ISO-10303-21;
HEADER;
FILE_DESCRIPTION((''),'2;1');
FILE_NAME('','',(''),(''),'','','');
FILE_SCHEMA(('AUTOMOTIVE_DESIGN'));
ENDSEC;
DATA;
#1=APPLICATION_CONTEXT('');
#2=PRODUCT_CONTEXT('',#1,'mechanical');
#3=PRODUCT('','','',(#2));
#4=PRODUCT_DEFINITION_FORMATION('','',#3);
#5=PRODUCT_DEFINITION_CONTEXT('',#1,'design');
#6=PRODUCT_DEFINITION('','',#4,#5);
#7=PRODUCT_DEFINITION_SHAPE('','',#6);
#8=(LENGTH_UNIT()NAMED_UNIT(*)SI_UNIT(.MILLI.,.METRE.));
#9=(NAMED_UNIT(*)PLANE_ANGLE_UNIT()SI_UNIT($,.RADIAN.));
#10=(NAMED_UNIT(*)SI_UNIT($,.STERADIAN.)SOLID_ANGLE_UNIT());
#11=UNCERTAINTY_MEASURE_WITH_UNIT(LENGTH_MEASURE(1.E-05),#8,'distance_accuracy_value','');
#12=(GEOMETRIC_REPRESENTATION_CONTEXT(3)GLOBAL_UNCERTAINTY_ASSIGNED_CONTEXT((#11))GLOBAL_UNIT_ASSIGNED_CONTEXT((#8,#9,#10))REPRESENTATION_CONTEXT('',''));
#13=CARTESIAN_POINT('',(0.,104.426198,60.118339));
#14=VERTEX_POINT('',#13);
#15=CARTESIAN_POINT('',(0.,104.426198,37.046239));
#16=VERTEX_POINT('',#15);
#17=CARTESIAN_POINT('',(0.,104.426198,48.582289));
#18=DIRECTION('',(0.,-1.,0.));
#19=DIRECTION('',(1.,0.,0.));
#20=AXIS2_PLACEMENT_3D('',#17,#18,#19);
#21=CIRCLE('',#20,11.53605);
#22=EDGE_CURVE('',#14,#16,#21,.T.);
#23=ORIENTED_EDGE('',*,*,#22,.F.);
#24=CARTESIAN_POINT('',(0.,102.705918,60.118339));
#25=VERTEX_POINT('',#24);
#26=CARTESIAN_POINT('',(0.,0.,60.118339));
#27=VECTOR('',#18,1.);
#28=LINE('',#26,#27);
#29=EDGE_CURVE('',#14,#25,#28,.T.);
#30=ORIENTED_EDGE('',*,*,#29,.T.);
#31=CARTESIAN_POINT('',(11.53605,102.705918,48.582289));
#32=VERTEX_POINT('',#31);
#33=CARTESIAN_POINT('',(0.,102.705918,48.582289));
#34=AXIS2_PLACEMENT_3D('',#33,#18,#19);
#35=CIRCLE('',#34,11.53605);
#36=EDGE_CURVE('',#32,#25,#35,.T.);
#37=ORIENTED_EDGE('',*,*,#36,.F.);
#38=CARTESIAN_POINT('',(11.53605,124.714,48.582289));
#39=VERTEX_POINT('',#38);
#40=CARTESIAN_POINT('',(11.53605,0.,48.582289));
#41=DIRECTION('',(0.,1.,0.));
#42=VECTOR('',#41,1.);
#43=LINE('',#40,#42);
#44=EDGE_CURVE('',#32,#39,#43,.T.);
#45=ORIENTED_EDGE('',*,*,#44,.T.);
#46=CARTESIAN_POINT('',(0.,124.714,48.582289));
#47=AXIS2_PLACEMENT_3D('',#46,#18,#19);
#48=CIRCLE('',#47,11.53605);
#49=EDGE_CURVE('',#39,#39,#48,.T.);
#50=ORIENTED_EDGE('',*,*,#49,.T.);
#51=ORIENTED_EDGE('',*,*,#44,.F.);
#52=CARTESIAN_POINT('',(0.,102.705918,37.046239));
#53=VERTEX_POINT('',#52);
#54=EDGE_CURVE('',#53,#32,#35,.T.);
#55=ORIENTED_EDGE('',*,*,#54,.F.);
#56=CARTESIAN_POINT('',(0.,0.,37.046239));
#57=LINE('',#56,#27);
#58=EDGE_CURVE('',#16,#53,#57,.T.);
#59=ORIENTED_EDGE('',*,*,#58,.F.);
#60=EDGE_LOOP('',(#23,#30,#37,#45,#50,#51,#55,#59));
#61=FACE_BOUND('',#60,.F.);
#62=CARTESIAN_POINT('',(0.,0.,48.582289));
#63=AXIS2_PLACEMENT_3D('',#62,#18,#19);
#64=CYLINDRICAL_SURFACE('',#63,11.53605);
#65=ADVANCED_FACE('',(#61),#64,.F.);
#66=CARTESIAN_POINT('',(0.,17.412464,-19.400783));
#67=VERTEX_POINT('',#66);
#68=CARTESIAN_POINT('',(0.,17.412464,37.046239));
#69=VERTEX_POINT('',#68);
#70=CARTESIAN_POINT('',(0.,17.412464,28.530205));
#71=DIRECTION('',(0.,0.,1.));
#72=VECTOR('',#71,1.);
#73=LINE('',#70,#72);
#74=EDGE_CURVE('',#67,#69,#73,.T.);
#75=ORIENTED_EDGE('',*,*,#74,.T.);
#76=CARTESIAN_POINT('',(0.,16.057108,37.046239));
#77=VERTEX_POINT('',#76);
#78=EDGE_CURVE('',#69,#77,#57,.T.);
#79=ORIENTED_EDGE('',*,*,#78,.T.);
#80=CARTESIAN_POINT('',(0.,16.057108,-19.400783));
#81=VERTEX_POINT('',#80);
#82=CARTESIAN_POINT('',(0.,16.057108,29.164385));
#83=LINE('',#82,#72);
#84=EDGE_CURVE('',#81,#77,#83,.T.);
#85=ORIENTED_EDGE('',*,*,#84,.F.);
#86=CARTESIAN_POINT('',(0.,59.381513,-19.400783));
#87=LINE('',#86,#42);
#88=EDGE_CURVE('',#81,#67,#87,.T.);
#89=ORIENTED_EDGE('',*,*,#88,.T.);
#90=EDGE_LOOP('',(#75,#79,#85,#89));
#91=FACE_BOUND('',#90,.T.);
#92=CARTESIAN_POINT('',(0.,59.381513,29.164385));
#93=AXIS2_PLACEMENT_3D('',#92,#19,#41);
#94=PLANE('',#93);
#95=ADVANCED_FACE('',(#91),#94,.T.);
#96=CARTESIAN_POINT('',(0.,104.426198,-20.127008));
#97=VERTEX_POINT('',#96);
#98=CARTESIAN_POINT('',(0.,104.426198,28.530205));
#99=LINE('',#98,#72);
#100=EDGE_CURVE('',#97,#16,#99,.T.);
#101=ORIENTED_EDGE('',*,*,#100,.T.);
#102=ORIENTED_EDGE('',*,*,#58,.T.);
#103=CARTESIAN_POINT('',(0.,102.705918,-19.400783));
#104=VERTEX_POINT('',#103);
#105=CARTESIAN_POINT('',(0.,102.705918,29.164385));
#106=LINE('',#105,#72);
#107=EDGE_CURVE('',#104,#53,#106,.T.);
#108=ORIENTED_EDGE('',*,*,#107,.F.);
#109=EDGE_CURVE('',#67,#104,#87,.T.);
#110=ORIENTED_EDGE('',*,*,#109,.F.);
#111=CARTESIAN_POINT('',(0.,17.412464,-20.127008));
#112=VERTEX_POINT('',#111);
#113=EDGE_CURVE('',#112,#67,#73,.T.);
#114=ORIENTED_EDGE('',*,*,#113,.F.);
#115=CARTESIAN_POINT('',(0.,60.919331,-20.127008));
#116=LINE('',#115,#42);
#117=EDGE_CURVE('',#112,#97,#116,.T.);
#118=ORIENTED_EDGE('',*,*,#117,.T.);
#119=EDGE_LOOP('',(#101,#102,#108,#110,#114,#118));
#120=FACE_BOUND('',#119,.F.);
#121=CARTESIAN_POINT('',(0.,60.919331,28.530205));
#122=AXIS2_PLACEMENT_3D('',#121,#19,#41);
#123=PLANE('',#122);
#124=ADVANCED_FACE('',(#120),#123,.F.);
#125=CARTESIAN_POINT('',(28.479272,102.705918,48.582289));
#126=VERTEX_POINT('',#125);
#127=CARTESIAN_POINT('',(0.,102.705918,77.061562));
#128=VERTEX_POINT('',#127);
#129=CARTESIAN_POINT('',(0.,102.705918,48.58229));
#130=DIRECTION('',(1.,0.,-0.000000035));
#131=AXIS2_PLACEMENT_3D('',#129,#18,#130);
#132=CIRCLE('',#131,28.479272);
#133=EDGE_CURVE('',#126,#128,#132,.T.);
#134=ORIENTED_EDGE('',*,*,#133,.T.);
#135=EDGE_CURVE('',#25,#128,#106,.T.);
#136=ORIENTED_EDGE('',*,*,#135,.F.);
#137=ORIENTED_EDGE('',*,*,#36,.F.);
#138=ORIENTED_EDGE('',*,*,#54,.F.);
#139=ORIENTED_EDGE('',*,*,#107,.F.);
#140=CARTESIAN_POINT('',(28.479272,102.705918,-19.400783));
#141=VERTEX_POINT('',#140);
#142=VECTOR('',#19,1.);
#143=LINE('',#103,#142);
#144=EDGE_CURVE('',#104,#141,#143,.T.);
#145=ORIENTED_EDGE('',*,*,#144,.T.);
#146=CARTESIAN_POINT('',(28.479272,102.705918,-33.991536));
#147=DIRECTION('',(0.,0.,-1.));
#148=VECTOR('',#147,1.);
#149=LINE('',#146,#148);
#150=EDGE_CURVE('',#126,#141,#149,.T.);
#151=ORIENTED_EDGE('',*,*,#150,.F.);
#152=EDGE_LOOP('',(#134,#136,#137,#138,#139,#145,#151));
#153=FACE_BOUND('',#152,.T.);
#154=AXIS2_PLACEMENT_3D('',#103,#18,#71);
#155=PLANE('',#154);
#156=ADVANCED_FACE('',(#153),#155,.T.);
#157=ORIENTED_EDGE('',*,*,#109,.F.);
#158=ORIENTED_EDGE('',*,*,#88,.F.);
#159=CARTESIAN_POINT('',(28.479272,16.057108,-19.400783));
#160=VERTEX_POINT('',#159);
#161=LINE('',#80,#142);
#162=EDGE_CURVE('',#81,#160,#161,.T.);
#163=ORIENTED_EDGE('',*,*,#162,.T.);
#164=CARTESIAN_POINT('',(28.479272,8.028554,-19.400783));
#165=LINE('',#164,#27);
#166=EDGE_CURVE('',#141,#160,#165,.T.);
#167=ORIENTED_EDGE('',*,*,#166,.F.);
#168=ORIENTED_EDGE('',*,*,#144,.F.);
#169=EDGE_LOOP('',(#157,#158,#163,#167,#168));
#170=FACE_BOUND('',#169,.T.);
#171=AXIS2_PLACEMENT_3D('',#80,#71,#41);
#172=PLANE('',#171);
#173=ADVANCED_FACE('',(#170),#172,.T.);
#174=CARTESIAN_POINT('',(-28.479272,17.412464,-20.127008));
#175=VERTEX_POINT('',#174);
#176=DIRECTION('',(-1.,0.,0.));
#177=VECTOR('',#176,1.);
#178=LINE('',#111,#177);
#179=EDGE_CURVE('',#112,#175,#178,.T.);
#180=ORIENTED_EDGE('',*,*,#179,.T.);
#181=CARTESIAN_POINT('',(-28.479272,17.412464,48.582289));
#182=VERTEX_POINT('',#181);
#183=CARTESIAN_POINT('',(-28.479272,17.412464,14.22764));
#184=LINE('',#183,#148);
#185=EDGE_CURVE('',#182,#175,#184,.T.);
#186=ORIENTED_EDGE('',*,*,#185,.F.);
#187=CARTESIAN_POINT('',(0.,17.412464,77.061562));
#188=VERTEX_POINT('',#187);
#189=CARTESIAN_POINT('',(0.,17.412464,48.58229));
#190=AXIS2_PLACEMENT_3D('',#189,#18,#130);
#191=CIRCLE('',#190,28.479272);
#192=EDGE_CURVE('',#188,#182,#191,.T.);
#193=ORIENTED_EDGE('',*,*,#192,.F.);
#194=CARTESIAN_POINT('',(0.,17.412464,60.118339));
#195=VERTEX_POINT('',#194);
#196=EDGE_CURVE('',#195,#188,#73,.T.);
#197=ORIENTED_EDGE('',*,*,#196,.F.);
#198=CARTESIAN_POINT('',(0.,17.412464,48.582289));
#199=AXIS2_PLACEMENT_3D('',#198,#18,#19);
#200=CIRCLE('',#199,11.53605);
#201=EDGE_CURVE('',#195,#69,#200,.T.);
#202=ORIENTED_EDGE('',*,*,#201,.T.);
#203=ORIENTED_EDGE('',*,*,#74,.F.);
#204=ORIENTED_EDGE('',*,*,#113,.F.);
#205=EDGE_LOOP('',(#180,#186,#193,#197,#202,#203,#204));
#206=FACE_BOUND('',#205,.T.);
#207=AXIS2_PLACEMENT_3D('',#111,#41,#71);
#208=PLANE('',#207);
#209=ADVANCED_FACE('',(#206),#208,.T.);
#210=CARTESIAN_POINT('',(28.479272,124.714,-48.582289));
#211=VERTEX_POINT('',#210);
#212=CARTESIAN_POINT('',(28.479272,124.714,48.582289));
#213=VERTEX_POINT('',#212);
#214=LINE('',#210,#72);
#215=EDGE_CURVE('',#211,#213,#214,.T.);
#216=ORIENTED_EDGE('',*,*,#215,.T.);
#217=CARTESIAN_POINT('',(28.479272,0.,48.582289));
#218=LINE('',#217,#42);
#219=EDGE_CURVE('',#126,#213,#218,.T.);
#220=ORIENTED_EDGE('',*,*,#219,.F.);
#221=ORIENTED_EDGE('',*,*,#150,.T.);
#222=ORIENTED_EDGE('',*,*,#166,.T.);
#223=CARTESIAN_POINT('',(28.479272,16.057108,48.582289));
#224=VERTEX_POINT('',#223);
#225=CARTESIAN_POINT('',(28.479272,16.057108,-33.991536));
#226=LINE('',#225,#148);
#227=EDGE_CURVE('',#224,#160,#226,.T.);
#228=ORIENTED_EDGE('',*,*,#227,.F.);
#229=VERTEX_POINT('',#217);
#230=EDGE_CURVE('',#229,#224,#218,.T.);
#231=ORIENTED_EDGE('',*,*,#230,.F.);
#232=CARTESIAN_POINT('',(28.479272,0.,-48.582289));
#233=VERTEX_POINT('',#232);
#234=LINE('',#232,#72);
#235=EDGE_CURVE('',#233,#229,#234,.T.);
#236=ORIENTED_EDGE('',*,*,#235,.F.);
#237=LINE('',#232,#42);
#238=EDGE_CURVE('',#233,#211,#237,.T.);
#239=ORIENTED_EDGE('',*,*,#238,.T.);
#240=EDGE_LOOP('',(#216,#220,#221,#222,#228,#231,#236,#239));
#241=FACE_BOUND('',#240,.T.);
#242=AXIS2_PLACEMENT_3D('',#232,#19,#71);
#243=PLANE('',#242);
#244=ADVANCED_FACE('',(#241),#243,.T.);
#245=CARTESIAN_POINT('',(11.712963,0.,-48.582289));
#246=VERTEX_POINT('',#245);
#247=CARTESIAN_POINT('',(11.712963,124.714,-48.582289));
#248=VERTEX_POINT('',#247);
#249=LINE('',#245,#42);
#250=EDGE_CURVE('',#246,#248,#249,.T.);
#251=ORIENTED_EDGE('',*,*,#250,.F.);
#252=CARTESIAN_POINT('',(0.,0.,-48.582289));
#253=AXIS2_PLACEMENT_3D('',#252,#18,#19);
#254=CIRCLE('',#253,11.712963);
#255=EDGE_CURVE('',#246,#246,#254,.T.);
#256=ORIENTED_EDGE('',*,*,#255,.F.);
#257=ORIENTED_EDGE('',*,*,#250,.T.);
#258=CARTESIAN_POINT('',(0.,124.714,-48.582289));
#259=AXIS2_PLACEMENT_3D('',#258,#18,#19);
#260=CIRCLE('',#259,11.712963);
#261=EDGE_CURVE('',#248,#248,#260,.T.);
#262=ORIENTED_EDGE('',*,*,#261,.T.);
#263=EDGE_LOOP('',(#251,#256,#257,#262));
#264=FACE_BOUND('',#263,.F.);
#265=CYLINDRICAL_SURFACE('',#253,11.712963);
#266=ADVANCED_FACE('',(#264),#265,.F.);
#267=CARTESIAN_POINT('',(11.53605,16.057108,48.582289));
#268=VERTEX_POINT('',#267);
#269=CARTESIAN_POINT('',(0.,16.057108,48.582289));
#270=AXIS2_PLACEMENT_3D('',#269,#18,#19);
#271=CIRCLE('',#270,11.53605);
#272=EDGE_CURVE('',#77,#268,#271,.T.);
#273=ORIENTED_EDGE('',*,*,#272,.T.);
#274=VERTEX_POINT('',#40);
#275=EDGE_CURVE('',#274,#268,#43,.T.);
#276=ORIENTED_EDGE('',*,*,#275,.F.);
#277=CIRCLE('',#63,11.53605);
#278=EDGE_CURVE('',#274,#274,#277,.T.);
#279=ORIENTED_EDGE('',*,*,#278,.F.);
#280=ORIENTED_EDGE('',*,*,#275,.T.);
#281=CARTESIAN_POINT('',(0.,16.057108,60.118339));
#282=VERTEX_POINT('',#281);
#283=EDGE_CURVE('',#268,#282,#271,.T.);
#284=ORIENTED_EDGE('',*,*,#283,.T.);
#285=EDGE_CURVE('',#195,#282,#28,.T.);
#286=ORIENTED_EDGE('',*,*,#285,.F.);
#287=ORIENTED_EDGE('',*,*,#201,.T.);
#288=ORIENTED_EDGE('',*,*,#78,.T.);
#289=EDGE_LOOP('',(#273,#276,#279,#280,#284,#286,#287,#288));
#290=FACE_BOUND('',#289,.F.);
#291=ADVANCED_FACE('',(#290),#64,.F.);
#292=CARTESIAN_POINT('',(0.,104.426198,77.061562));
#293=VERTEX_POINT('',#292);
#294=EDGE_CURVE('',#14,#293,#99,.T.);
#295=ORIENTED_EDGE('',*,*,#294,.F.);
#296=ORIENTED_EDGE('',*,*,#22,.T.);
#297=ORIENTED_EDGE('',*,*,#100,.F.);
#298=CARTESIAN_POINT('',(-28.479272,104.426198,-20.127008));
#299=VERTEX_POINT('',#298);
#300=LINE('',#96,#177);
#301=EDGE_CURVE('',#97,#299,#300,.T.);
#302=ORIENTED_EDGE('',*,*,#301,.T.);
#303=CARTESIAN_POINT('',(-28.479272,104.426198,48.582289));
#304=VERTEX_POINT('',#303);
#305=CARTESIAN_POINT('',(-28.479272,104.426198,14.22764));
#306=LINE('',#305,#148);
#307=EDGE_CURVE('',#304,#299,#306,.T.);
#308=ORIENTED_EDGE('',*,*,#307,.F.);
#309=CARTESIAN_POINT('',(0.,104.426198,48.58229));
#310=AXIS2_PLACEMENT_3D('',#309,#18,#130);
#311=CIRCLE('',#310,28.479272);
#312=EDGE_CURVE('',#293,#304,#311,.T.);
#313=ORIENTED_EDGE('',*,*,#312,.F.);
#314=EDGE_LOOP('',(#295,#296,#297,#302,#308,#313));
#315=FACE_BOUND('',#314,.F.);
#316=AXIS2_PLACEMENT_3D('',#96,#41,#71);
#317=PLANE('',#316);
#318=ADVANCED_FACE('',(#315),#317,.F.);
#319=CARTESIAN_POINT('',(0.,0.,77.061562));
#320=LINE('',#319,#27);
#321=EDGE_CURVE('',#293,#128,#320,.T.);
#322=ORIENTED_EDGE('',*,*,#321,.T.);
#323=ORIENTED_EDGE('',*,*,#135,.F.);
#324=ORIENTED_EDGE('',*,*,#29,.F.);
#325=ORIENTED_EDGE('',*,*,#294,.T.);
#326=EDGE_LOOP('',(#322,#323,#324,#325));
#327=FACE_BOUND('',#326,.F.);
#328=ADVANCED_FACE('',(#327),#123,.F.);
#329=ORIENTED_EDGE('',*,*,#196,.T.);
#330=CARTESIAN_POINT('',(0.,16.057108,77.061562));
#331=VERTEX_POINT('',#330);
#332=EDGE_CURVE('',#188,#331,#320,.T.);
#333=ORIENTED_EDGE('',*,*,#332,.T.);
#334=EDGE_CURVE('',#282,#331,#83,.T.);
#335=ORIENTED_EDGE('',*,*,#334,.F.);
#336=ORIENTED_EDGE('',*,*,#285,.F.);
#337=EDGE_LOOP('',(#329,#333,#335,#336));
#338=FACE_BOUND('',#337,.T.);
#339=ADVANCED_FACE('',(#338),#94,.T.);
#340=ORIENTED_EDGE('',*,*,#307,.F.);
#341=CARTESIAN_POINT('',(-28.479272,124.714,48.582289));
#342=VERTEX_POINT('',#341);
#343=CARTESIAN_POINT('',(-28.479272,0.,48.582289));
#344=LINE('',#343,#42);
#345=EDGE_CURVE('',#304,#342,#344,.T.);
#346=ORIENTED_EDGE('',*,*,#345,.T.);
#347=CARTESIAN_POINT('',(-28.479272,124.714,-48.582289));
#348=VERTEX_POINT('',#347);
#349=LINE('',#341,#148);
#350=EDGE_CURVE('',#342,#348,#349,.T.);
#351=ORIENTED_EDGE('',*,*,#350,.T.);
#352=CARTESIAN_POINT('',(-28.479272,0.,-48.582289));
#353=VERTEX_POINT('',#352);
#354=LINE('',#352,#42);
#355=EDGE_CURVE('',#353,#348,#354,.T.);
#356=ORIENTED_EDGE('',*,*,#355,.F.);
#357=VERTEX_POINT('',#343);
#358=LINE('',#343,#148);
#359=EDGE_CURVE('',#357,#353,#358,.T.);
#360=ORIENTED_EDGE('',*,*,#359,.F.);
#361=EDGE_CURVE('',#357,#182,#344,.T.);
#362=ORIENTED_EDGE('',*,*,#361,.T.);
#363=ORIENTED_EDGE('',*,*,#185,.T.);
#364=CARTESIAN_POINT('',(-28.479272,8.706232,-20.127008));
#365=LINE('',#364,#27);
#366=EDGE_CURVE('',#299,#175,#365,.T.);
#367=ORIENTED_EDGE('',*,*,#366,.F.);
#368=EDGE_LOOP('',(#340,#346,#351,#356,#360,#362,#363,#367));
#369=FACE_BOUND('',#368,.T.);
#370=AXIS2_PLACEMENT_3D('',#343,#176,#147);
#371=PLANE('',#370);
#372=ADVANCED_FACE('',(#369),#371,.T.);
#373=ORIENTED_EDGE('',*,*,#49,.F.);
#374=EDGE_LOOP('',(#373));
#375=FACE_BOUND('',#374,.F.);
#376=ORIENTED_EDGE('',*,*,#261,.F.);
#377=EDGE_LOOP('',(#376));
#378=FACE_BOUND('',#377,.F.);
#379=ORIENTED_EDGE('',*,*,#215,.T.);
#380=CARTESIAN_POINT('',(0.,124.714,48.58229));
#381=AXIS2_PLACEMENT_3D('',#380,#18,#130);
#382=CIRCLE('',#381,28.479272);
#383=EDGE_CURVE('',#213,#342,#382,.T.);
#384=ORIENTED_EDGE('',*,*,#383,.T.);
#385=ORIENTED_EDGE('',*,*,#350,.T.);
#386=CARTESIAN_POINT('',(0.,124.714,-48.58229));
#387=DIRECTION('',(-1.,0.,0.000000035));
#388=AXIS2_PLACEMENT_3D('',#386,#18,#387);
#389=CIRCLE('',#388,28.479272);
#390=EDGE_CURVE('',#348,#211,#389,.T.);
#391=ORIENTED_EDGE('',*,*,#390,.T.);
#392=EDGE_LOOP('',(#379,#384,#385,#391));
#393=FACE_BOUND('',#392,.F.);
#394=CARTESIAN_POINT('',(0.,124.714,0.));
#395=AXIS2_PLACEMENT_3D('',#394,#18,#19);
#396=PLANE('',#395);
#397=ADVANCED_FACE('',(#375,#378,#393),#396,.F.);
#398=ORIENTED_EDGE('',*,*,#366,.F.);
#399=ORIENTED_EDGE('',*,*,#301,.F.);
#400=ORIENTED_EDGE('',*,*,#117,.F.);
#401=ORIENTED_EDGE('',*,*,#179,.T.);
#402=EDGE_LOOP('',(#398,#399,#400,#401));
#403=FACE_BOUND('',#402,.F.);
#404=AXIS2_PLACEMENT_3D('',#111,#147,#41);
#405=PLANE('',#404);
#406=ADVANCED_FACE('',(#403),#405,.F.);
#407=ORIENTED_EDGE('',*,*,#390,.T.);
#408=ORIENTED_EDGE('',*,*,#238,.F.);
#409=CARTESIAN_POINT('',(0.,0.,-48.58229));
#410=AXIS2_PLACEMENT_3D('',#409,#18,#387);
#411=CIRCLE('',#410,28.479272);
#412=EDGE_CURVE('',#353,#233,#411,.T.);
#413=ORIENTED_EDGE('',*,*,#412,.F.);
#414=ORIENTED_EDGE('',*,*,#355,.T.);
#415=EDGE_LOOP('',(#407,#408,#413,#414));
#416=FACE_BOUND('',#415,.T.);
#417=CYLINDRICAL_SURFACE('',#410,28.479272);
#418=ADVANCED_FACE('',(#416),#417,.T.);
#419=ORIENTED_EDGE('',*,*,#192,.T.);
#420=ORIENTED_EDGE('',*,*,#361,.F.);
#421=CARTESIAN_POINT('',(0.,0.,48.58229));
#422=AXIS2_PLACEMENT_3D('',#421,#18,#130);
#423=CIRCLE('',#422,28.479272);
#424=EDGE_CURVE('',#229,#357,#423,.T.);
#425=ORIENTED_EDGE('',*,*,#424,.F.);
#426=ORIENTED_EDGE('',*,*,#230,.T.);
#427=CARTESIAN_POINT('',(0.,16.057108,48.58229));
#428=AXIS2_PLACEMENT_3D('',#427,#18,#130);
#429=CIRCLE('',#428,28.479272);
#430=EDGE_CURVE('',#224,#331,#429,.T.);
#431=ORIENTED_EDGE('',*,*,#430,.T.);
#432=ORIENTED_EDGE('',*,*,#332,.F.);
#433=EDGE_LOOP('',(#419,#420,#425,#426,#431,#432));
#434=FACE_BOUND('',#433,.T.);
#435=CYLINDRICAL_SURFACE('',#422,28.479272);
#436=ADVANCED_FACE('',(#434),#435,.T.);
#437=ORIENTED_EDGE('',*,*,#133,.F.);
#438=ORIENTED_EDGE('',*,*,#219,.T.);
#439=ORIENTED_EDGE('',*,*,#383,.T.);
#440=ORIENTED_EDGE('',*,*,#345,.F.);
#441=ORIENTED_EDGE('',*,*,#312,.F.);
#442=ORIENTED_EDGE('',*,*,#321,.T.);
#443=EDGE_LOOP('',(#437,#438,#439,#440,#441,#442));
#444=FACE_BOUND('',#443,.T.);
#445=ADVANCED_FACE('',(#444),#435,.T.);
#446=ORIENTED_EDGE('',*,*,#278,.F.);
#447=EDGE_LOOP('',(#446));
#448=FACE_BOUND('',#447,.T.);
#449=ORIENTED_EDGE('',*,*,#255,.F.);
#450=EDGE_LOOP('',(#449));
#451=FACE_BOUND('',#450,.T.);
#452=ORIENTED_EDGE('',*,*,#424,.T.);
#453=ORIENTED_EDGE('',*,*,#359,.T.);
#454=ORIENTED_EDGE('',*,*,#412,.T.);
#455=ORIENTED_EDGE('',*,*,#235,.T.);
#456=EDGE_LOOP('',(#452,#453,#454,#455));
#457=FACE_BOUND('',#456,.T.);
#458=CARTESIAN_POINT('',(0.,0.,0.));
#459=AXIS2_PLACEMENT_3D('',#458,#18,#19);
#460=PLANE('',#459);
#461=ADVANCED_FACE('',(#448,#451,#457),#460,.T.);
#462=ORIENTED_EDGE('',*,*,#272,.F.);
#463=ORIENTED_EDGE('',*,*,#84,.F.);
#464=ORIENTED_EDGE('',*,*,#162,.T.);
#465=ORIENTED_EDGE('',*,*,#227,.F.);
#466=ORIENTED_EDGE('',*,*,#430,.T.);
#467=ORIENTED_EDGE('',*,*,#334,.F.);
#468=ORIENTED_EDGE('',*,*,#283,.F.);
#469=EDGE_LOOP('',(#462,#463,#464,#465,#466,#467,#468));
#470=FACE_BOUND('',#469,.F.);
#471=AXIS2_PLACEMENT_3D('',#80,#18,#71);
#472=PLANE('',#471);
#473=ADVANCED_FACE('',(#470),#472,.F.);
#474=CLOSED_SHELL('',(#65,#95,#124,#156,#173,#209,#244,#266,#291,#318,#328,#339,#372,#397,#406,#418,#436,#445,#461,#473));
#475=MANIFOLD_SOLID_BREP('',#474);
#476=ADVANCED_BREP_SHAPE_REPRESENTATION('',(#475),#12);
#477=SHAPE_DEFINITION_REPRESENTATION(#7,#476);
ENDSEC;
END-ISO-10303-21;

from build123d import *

# Parameters (mm, degrees)
F0_R     = 11.712963
F0_R_2   = 11.53605
F1_DEPTH = 124.714
F2_W     = 87.013735
F2_H     = 97.314427
F3_DEPTH = 28.480272
F4_W     = 86.64881
F4_H     = 97.130336
F5_DEPTH = 28.480272


with BuildPart() as f1:
    # F0 (on Front) → F1 (new body)
    with BuildSketch(Plane.XZ):
        with BuildLine():
            ThreePointArc((-28.479272, -48.582289), (0, -77.061562), (28.479272, -48.582289))
            Line((28.479272, -48.582289), (28.479272, 48.582289))
            ThreePointArc((28.479272, 48.582289), (0, 77.061562), (-28.479272, 48.582289))
            Line((-28.479272, 48.582289), (-28.479272, -48.582289))
        make_face()
        with Locations((0, -48.582289)):
            Circle(F0_R, mode=Mode.SUBTRACT)
        with Locations((0, 48.582289)):
            Circle(F0_R_2, mode=Mode.SUBTRACT)
    extrude(amount=-F1_DEPTH)

    # F2 (on Right) → F3 (cut, through all)
    with BuildSketch(Plane.YZ):
        with Locations((60.919331, 28.530205)):
            Rectangle(F2_W, F2_H)
    extrude(amount=-F3_DEPTH, mode=Mode.SUBTRACT)

    # F4 (on Right) → F5 (cut, through all)
    with BuildSketch(Plane.YZ):
        with Locations((59.381513, 29.164385)):
            Rectangle(F4_W, F4_H)
    extrude(amount=F5_DEPTH, mode=Mode.SUBTRACT)


solid = f1.part
